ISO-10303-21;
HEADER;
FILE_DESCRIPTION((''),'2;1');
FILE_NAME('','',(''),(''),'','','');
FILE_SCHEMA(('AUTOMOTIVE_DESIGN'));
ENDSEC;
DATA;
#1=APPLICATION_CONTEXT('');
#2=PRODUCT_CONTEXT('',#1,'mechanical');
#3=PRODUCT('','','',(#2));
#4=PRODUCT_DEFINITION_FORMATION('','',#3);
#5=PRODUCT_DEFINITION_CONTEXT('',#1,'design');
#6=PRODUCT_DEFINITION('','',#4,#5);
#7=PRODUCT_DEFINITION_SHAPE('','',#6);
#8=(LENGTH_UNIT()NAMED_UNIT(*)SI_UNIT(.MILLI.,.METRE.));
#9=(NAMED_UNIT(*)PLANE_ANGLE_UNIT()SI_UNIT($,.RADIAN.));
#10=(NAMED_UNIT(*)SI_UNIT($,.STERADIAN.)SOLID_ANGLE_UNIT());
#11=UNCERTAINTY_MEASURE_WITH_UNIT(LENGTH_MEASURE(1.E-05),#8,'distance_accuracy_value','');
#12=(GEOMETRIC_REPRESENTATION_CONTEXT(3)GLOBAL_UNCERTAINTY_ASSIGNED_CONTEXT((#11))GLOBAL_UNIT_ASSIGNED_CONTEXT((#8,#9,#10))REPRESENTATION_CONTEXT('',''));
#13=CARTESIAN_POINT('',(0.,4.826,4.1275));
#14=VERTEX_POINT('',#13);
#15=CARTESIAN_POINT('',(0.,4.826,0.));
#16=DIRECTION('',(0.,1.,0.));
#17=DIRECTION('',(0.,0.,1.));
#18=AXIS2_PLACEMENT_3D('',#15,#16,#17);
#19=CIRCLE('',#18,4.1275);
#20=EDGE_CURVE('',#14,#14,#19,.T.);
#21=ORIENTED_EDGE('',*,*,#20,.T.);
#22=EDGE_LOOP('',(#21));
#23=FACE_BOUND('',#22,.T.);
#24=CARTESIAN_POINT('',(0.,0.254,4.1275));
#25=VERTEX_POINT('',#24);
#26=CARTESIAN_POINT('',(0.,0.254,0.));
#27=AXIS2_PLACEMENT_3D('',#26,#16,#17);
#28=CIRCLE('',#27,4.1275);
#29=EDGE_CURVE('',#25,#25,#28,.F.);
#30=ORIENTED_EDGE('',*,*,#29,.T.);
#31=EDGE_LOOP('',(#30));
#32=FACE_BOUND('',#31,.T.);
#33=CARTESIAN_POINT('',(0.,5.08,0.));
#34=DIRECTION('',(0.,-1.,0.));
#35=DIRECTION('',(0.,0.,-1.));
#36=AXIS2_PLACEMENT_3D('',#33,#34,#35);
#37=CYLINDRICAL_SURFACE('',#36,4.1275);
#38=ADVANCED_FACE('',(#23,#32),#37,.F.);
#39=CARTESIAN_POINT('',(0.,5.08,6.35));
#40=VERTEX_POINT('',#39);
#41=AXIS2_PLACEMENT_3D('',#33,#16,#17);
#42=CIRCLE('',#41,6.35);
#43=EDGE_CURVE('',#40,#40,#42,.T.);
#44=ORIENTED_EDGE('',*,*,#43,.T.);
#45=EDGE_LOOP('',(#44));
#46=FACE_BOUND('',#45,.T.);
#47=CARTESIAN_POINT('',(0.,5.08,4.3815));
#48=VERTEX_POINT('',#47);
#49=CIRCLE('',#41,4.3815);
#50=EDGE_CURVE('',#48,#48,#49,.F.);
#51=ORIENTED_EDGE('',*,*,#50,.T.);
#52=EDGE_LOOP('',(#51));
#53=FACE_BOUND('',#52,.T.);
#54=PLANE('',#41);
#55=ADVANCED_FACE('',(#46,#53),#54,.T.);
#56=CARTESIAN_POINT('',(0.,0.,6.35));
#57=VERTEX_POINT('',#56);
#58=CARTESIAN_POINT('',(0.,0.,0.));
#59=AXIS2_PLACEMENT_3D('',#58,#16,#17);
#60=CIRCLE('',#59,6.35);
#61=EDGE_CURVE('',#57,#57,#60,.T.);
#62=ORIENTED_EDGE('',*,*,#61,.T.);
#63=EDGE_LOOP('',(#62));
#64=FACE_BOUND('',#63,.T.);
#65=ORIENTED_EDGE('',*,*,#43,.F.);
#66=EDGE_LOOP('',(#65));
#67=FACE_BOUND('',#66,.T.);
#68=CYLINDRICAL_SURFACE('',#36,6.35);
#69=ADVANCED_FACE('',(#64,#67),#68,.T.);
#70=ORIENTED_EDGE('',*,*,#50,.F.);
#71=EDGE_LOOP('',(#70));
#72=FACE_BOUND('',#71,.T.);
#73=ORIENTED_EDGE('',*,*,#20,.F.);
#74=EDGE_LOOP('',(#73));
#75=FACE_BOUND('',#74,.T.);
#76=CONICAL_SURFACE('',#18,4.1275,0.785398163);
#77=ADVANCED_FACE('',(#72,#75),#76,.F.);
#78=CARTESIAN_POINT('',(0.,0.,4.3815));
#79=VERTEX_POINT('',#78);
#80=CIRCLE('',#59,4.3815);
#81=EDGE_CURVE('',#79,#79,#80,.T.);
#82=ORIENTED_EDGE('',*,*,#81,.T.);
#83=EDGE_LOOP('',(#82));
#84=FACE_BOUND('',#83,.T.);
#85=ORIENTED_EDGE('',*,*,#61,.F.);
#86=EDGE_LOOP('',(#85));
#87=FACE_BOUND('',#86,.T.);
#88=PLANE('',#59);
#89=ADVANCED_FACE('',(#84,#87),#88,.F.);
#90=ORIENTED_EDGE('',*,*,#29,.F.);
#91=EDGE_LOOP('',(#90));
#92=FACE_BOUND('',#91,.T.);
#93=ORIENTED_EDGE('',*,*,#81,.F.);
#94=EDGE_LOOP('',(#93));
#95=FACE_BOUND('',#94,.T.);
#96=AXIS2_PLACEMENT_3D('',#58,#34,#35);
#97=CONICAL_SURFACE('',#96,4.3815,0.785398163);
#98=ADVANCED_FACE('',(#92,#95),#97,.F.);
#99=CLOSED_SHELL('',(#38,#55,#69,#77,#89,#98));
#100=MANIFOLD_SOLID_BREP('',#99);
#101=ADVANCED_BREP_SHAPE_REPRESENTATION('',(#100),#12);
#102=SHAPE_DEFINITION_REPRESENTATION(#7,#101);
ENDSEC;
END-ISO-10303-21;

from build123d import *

# Parameters (mm, degrees)
SKETCH1_R           = 6.35
SKETCH1_R_2         = 4.1275
BOSS_EXTRUDE1_DEPTH = 5.08
CHAMFER1_SIZE       = 0.254


with BuildPart() as part:
    # Sketch1 → Boss-Extrude1 (new body)
    with BuildSketch(Plane(origin=(0, 0, 0), x_dir=(1, 0, 0), z_dir=(0, 1, 0))):
        Circle(SKETCH1_R)
        Circle(SKETCH1_R_2, mode=Mode.SUBTRACT)
    extrude(amount=BOSS_EXTRUDE1_DEPTH)

    # Chamfer1
    chamfer1_edges = [part.edges().sort_by_distance(p)[0] for p in [
        (-4.1275, 0, 0),
        (-4.1275, 5.08, 0),
    ]]
    chamfer(chamfer1_edges, length=CHAMFER1_SIZE)


solid = part.part
